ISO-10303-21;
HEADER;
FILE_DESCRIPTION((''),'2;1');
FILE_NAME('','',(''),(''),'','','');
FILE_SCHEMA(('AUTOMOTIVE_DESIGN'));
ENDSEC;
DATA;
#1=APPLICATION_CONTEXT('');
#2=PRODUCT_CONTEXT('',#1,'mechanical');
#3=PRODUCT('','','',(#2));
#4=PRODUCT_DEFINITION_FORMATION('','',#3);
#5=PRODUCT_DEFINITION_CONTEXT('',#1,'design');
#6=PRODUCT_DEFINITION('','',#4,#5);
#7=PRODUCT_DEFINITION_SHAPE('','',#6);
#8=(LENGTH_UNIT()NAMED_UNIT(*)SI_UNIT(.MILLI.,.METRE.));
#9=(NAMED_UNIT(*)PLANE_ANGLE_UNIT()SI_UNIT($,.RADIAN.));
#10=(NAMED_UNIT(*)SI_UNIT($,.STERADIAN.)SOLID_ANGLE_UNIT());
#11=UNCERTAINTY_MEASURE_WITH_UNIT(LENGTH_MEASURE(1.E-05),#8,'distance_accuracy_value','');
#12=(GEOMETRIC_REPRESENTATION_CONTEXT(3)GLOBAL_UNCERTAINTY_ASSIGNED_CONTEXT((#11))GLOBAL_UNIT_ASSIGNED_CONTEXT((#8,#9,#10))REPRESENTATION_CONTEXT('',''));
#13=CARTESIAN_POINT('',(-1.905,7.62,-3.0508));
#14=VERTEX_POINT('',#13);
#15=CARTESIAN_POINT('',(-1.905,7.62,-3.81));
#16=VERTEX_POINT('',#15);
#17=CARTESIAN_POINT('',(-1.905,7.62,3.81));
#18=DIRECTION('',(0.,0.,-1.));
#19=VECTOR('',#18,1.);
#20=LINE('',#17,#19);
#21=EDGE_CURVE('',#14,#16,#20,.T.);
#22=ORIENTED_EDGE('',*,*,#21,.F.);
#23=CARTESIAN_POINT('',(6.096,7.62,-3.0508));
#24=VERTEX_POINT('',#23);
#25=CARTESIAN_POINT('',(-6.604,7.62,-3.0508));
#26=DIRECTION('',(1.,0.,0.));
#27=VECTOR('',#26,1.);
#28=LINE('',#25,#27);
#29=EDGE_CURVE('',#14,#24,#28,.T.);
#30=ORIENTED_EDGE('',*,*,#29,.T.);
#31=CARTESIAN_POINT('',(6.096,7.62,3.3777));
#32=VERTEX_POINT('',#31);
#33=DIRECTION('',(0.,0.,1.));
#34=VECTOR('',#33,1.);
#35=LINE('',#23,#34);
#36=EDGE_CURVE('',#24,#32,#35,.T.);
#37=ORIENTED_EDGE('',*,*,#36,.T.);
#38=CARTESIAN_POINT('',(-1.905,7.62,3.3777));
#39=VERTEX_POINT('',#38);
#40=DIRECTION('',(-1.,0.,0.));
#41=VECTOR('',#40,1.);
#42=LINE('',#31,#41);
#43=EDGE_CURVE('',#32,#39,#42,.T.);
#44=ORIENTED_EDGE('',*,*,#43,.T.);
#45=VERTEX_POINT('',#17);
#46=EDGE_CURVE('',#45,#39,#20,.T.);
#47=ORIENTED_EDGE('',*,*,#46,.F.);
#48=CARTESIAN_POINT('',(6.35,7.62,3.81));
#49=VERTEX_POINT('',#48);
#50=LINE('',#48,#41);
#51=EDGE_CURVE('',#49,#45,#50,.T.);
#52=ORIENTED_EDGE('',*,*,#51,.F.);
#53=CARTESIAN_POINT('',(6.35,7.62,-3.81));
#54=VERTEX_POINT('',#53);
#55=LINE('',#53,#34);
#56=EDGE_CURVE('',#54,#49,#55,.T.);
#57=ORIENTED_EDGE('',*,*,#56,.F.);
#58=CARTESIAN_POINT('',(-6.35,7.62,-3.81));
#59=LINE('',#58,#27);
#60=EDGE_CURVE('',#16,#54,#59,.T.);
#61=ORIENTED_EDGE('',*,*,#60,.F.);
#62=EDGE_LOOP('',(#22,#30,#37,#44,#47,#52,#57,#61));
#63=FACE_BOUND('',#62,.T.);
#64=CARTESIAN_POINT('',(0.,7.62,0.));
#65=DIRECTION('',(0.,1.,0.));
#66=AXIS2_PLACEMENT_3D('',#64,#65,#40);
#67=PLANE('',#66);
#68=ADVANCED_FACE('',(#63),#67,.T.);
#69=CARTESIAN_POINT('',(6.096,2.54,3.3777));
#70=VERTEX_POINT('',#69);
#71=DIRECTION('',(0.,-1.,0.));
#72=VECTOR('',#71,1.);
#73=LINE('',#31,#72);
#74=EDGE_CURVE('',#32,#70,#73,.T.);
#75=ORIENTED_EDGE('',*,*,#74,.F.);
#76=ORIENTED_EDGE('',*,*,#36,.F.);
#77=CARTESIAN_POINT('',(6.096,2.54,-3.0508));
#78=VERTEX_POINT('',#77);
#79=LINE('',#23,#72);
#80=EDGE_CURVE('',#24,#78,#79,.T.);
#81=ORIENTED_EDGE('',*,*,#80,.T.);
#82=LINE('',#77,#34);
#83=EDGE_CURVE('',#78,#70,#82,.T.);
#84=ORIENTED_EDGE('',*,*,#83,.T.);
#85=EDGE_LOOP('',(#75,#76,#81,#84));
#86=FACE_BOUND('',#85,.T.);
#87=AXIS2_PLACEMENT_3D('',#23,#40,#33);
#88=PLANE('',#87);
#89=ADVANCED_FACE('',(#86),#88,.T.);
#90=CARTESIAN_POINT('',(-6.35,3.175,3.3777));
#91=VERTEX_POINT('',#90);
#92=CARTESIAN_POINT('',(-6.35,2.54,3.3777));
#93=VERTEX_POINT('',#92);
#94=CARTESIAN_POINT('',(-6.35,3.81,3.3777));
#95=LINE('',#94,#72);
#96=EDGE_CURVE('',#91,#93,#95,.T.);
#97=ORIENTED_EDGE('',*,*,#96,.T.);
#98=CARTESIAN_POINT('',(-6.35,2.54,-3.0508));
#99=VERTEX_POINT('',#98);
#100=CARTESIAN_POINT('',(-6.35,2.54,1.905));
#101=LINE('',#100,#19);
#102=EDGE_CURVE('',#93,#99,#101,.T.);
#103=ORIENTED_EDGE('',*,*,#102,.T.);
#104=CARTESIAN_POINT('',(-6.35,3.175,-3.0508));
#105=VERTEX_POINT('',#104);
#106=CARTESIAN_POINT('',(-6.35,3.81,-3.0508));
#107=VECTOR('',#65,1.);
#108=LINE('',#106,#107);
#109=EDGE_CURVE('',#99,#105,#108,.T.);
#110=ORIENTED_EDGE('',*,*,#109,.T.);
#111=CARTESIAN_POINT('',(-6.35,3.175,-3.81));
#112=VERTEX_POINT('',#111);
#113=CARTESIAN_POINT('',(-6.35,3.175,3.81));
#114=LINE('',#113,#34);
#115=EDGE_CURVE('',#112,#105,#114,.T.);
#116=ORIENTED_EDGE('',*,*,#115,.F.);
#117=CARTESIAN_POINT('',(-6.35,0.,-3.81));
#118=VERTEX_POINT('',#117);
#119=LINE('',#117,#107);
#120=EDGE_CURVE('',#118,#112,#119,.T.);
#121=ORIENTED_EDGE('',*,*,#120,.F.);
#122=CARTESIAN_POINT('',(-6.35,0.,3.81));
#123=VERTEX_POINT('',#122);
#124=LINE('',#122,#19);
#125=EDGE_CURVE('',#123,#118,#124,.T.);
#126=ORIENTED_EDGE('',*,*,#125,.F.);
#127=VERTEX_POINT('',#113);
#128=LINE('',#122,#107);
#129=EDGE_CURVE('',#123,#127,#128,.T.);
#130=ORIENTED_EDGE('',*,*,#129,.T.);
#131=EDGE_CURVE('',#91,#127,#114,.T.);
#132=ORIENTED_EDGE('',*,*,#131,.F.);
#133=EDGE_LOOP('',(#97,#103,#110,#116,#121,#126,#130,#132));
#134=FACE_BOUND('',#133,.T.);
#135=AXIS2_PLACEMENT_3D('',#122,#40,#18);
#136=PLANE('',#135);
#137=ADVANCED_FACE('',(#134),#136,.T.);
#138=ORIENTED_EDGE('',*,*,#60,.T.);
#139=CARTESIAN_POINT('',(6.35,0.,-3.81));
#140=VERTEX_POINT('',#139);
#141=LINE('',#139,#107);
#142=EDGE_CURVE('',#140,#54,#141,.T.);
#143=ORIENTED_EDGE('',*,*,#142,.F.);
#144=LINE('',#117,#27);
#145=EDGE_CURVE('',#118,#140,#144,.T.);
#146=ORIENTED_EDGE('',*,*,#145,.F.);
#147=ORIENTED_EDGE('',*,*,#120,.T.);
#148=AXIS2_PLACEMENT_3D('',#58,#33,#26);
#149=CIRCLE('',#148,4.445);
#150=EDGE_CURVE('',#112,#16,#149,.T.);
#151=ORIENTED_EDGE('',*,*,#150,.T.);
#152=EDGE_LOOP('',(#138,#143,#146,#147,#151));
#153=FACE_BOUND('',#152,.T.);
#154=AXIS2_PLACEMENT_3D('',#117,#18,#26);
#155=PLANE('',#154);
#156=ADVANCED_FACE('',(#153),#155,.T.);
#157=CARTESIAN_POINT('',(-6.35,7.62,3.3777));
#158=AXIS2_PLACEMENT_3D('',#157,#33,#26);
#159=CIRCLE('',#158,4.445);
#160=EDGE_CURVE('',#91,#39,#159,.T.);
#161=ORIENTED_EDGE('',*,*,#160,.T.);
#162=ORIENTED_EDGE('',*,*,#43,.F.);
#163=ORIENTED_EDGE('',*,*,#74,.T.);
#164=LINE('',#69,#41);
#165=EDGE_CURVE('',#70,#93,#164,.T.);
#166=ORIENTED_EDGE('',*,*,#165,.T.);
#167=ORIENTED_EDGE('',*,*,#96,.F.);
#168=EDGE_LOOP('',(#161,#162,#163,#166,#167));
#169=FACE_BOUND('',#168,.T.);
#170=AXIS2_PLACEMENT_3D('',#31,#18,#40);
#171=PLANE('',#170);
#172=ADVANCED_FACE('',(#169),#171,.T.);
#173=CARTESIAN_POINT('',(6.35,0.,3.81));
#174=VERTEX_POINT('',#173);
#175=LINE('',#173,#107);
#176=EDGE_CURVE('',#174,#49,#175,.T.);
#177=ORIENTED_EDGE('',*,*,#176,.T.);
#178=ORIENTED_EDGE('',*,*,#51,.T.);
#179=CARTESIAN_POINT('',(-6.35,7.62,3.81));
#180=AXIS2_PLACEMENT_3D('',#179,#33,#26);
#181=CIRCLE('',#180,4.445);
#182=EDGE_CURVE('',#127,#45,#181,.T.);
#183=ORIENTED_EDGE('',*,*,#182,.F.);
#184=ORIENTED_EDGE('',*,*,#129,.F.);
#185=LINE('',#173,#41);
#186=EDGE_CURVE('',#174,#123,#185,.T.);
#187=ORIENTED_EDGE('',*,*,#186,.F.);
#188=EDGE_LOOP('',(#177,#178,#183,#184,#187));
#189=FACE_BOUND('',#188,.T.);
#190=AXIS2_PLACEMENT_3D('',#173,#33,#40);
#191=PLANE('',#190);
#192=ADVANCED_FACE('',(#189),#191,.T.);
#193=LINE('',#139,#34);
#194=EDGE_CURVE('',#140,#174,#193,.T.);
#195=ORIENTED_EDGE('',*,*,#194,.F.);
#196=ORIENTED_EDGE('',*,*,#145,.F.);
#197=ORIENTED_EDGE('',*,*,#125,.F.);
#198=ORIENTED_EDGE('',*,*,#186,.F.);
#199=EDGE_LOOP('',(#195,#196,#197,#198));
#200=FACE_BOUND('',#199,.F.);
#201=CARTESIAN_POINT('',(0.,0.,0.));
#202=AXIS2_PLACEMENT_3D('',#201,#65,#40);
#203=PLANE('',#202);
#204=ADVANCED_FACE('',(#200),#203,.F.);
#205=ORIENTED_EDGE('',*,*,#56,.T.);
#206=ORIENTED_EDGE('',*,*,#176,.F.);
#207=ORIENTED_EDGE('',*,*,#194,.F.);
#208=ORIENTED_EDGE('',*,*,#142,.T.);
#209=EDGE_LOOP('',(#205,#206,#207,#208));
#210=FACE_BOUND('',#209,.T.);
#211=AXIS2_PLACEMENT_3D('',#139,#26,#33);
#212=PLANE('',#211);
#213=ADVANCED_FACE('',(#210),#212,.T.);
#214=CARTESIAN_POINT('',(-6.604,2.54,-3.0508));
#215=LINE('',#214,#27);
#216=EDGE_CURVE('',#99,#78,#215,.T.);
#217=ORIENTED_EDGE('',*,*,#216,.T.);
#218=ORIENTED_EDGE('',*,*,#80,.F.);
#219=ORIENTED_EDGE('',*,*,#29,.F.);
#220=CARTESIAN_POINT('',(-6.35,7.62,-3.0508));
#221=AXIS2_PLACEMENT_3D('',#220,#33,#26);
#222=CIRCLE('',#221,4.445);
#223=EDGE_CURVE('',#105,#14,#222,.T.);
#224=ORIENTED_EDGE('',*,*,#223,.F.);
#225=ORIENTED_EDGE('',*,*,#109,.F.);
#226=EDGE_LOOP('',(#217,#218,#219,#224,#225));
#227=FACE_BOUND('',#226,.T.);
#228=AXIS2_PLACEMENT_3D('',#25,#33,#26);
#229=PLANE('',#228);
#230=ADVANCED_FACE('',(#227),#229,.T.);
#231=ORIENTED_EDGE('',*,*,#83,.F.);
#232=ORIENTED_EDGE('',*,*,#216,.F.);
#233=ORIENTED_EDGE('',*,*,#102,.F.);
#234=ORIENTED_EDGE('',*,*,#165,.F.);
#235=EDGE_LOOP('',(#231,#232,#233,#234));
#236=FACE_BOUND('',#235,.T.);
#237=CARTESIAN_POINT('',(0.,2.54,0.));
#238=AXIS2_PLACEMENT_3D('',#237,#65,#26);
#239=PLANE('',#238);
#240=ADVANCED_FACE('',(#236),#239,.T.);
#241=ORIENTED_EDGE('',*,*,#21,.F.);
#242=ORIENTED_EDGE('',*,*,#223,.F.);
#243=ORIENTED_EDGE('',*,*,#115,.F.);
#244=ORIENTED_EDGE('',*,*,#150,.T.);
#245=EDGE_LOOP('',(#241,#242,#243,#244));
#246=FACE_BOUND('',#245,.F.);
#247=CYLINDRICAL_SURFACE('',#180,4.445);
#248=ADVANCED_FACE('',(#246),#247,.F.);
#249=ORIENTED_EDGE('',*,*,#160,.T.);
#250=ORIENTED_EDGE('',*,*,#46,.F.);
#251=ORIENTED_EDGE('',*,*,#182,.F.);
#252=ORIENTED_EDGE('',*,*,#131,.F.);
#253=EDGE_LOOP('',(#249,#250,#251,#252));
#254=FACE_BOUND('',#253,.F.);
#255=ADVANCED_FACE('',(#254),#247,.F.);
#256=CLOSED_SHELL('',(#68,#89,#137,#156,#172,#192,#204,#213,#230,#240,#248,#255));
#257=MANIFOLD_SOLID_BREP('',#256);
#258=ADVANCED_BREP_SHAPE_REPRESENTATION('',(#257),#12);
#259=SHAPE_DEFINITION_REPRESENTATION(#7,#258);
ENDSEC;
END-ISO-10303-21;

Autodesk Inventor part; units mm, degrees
ref_plane "YZ Plane" through (0, 0, 0) normal (1, 0, 0) x (0, 1, 0)
ref_plane "XZ Plane" through (0, 0, 0) normal (0, 1, 0) x (-1, 0, 0)
ref_plane "XY Plane" through (0, 0, 0) normal (0, 0, 1) x (1, 0, 0)
sketch "Sketch1" plane through (0, 0, 0) normal (1, 0, 0) x (0, 1, 0)
  point P0 (0, 0)
sketch "Sketch2" plane through (0, 0, 0) normal (0, 1, 0) x (-1, 0, 0)
  line L0 (-6.35, 3.81) -> (6.35, 3.81)
  line L1 (6.35, 3.81) -> (6.35, -3.81)
  line L2 (6.35, -3.81) -> (-6.35, -3.81)
  line L3 (-6.35, -3.81) -> (-6.35, 3.81)
  line L4 (-6.35, 3.81) -> (6.35, -3.81) construction
  line L5 (6.35, 3.81) -> (-6.35, -3.81) construction
  point P0 (0, 0)
  dimension "d0" = 12.7
  dimension "d1" = 7.62
extrude "Extrusion1" add sketch "Sketch2" along normal blind 7.62
sketch "Sketch3" plane through (0, 7.62, 0) normal (0, 1, 0) x (1, 0, 0)
  point P0 (0, 0)
sketch "Sketch4" plane through (-6.35, 0, 3.81) normal (0, 0, 1) x (1, 0, 0)
  line L0 (0, 7.62) -> (12.7, 7.62) projected
  circle A0 centre (0, 7.62) radius 4.445
  point P0 (6.35, 0)
  dimension "d5" = 8.89
extrude "Extrusion2" cut sketch "Sketch4" against normal blind 12.7
sketch "Sketch5" plane through (0, 7.62, 0) normal (0, 1, 0) x (1, 0, 0)
  point P0 (0, 0)
sketch "Sketch6" plane through (0, 7.62, 0) normal (0, 1, 0) x (1, 0, 0)
  line L0 (6.096, -3.3777) -> (-6.604, -3.3777)
  line L1 (-6.604, -3.3777) -> (-6.604, 3.0508)
  line L2 (-6.604, 3.0508) -> (6.096, 3.0508)
  line L3 (6.096, 3.0508) -> (6.096, -3.3777)
  line L4 (6.35, -3.81) -> (6.35, 3.81) projected
  point P0 (0, 0)
  dimension "d10" = 12.7
  dimension "d11" = 0.254
extrude "Extrusion3" cut sketch "Sketch6" against normal blind 5.08
properties part number "ScoopBucket"
